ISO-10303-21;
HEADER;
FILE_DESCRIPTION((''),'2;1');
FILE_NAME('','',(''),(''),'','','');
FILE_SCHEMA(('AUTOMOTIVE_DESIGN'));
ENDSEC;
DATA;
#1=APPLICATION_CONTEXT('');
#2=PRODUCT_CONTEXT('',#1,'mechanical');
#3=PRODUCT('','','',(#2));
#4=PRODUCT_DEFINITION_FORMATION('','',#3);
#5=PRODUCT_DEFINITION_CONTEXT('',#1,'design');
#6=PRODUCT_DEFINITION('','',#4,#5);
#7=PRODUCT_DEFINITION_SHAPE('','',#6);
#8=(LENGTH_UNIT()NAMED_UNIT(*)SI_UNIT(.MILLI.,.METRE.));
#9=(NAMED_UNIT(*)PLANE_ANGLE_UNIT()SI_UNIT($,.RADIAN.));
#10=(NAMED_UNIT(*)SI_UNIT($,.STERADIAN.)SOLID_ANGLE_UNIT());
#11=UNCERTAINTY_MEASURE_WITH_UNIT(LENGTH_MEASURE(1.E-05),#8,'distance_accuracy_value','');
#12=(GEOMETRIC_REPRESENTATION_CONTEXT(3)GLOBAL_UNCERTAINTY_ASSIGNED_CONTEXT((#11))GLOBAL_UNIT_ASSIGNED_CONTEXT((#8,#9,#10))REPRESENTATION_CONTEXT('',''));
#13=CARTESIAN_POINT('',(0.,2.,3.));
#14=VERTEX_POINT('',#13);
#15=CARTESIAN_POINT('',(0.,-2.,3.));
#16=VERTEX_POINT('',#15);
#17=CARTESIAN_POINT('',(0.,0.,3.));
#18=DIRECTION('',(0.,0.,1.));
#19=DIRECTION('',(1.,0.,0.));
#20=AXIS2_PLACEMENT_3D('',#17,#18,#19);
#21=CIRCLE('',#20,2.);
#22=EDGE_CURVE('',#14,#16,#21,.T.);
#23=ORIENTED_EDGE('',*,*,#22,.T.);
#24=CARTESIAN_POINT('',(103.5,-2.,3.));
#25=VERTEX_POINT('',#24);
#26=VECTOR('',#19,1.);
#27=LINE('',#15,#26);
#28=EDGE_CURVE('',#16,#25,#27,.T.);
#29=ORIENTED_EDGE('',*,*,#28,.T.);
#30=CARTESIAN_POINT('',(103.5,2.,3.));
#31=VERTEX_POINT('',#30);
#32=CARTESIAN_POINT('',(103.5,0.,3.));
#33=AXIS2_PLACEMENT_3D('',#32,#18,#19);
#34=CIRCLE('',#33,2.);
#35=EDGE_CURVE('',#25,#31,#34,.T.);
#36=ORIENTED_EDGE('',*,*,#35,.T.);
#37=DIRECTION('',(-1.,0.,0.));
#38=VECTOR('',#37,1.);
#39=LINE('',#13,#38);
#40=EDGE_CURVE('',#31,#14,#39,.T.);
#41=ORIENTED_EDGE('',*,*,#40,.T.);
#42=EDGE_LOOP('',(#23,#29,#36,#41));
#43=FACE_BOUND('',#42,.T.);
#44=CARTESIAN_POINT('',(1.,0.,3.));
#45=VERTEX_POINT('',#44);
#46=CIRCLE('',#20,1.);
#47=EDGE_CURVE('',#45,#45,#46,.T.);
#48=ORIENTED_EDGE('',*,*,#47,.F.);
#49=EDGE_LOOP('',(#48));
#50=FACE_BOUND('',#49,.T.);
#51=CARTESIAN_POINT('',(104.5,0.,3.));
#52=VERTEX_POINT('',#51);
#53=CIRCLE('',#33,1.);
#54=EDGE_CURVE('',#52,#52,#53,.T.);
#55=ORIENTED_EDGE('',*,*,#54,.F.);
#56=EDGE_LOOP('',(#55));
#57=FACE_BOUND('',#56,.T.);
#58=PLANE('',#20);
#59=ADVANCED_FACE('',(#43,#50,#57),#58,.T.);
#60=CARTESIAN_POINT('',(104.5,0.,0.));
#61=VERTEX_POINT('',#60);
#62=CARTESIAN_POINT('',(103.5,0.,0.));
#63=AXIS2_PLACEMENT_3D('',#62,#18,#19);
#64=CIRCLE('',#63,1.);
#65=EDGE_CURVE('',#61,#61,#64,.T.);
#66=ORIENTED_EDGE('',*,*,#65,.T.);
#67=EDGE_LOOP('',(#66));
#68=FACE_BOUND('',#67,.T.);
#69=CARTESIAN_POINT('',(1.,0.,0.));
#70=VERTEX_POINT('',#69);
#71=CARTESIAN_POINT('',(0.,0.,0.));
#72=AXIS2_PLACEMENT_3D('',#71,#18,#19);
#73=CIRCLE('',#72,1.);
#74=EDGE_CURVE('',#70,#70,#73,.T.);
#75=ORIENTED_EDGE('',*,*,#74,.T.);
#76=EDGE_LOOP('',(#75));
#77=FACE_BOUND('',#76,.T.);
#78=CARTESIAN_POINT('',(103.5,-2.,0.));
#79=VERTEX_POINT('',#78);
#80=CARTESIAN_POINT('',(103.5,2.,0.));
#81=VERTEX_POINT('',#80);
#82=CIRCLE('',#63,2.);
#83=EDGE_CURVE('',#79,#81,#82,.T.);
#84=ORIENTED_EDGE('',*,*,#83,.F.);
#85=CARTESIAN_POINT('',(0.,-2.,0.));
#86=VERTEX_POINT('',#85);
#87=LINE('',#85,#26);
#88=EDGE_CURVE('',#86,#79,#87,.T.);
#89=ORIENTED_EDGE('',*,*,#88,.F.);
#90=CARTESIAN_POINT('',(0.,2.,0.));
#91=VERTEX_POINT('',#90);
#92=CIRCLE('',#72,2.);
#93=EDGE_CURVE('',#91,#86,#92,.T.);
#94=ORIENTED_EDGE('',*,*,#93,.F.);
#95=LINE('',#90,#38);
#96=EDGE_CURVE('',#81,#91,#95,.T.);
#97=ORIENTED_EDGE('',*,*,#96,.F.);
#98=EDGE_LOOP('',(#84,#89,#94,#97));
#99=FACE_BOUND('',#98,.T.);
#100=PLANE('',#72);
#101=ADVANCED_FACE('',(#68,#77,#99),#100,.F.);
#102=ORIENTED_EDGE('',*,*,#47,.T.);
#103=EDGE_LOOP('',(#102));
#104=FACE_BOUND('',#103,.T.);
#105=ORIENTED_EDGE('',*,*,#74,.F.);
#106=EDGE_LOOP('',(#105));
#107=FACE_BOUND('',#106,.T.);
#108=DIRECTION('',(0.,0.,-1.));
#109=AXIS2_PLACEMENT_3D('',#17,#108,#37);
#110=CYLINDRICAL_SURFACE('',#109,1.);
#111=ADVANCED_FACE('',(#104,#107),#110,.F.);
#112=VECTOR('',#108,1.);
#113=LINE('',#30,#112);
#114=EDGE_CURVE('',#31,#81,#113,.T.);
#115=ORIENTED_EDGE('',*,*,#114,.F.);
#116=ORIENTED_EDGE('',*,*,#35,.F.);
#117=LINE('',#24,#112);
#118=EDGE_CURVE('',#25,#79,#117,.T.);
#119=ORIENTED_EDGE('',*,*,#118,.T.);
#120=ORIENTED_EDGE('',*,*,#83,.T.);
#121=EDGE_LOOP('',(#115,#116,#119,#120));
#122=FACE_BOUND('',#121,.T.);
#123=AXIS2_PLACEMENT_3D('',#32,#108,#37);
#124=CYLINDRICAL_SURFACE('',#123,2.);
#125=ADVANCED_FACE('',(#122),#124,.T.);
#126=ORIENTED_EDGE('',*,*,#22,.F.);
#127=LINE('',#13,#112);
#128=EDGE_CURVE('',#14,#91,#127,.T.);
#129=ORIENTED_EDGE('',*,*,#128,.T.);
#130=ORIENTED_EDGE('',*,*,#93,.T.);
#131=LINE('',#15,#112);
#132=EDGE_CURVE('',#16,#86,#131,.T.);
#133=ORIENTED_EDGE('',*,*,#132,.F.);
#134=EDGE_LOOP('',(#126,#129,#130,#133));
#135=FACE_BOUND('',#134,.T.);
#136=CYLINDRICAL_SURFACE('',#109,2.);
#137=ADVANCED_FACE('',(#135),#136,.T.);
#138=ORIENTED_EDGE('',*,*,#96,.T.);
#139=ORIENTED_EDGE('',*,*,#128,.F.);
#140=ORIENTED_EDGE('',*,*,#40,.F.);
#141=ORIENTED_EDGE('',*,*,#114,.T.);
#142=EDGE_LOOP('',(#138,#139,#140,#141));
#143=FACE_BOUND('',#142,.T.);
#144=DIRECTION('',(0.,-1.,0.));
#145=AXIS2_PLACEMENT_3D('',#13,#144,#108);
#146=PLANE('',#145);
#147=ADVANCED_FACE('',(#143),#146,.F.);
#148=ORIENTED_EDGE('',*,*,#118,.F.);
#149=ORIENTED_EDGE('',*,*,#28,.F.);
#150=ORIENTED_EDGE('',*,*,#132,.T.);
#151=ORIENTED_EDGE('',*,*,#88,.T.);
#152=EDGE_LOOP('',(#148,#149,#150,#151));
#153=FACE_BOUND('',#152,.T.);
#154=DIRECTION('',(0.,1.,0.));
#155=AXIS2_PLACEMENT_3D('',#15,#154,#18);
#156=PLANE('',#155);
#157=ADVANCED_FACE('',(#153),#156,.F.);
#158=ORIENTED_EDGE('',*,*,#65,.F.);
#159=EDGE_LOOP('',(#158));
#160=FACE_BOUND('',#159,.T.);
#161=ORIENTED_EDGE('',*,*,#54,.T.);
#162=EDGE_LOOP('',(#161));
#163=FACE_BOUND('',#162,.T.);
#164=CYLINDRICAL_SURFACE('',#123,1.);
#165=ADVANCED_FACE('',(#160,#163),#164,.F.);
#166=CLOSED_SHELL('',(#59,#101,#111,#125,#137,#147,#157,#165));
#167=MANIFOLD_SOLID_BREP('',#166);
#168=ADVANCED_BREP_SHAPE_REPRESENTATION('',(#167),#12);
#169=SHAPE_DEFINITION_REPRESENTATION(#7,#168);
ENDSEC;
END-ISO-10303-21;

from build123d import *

# Parameters (mm, degrees)
SKETCH1_R           = 1
BOSS_EXTRUDE1_DEPTH = 3


with BuildPart() as part:
    # Sketch1 → Boss-Extrude1 (new body)
    with BuildSketch(Plane.XY):
        with BuildLine():
            Line((0, 2), (103.5, 2))
            ThreePointArc((103.5, 2), (105.5, 0), (103.5, -2))
            Line((103.5, -2), (0, -2))
            ThreePointArc((0, -2), (-2, 0), (0, 2))
        make_face()
        Circle(SKETCH1_R, mode=Mode.SUBTRACT)
        with Locations((103.5, 0)):
            Circle(SKETCH1_R, mode=Mode.SUBTRACT)
    extrude(amount=BOSS_EXTRUDE1_DEPTH)


solid = part.part
